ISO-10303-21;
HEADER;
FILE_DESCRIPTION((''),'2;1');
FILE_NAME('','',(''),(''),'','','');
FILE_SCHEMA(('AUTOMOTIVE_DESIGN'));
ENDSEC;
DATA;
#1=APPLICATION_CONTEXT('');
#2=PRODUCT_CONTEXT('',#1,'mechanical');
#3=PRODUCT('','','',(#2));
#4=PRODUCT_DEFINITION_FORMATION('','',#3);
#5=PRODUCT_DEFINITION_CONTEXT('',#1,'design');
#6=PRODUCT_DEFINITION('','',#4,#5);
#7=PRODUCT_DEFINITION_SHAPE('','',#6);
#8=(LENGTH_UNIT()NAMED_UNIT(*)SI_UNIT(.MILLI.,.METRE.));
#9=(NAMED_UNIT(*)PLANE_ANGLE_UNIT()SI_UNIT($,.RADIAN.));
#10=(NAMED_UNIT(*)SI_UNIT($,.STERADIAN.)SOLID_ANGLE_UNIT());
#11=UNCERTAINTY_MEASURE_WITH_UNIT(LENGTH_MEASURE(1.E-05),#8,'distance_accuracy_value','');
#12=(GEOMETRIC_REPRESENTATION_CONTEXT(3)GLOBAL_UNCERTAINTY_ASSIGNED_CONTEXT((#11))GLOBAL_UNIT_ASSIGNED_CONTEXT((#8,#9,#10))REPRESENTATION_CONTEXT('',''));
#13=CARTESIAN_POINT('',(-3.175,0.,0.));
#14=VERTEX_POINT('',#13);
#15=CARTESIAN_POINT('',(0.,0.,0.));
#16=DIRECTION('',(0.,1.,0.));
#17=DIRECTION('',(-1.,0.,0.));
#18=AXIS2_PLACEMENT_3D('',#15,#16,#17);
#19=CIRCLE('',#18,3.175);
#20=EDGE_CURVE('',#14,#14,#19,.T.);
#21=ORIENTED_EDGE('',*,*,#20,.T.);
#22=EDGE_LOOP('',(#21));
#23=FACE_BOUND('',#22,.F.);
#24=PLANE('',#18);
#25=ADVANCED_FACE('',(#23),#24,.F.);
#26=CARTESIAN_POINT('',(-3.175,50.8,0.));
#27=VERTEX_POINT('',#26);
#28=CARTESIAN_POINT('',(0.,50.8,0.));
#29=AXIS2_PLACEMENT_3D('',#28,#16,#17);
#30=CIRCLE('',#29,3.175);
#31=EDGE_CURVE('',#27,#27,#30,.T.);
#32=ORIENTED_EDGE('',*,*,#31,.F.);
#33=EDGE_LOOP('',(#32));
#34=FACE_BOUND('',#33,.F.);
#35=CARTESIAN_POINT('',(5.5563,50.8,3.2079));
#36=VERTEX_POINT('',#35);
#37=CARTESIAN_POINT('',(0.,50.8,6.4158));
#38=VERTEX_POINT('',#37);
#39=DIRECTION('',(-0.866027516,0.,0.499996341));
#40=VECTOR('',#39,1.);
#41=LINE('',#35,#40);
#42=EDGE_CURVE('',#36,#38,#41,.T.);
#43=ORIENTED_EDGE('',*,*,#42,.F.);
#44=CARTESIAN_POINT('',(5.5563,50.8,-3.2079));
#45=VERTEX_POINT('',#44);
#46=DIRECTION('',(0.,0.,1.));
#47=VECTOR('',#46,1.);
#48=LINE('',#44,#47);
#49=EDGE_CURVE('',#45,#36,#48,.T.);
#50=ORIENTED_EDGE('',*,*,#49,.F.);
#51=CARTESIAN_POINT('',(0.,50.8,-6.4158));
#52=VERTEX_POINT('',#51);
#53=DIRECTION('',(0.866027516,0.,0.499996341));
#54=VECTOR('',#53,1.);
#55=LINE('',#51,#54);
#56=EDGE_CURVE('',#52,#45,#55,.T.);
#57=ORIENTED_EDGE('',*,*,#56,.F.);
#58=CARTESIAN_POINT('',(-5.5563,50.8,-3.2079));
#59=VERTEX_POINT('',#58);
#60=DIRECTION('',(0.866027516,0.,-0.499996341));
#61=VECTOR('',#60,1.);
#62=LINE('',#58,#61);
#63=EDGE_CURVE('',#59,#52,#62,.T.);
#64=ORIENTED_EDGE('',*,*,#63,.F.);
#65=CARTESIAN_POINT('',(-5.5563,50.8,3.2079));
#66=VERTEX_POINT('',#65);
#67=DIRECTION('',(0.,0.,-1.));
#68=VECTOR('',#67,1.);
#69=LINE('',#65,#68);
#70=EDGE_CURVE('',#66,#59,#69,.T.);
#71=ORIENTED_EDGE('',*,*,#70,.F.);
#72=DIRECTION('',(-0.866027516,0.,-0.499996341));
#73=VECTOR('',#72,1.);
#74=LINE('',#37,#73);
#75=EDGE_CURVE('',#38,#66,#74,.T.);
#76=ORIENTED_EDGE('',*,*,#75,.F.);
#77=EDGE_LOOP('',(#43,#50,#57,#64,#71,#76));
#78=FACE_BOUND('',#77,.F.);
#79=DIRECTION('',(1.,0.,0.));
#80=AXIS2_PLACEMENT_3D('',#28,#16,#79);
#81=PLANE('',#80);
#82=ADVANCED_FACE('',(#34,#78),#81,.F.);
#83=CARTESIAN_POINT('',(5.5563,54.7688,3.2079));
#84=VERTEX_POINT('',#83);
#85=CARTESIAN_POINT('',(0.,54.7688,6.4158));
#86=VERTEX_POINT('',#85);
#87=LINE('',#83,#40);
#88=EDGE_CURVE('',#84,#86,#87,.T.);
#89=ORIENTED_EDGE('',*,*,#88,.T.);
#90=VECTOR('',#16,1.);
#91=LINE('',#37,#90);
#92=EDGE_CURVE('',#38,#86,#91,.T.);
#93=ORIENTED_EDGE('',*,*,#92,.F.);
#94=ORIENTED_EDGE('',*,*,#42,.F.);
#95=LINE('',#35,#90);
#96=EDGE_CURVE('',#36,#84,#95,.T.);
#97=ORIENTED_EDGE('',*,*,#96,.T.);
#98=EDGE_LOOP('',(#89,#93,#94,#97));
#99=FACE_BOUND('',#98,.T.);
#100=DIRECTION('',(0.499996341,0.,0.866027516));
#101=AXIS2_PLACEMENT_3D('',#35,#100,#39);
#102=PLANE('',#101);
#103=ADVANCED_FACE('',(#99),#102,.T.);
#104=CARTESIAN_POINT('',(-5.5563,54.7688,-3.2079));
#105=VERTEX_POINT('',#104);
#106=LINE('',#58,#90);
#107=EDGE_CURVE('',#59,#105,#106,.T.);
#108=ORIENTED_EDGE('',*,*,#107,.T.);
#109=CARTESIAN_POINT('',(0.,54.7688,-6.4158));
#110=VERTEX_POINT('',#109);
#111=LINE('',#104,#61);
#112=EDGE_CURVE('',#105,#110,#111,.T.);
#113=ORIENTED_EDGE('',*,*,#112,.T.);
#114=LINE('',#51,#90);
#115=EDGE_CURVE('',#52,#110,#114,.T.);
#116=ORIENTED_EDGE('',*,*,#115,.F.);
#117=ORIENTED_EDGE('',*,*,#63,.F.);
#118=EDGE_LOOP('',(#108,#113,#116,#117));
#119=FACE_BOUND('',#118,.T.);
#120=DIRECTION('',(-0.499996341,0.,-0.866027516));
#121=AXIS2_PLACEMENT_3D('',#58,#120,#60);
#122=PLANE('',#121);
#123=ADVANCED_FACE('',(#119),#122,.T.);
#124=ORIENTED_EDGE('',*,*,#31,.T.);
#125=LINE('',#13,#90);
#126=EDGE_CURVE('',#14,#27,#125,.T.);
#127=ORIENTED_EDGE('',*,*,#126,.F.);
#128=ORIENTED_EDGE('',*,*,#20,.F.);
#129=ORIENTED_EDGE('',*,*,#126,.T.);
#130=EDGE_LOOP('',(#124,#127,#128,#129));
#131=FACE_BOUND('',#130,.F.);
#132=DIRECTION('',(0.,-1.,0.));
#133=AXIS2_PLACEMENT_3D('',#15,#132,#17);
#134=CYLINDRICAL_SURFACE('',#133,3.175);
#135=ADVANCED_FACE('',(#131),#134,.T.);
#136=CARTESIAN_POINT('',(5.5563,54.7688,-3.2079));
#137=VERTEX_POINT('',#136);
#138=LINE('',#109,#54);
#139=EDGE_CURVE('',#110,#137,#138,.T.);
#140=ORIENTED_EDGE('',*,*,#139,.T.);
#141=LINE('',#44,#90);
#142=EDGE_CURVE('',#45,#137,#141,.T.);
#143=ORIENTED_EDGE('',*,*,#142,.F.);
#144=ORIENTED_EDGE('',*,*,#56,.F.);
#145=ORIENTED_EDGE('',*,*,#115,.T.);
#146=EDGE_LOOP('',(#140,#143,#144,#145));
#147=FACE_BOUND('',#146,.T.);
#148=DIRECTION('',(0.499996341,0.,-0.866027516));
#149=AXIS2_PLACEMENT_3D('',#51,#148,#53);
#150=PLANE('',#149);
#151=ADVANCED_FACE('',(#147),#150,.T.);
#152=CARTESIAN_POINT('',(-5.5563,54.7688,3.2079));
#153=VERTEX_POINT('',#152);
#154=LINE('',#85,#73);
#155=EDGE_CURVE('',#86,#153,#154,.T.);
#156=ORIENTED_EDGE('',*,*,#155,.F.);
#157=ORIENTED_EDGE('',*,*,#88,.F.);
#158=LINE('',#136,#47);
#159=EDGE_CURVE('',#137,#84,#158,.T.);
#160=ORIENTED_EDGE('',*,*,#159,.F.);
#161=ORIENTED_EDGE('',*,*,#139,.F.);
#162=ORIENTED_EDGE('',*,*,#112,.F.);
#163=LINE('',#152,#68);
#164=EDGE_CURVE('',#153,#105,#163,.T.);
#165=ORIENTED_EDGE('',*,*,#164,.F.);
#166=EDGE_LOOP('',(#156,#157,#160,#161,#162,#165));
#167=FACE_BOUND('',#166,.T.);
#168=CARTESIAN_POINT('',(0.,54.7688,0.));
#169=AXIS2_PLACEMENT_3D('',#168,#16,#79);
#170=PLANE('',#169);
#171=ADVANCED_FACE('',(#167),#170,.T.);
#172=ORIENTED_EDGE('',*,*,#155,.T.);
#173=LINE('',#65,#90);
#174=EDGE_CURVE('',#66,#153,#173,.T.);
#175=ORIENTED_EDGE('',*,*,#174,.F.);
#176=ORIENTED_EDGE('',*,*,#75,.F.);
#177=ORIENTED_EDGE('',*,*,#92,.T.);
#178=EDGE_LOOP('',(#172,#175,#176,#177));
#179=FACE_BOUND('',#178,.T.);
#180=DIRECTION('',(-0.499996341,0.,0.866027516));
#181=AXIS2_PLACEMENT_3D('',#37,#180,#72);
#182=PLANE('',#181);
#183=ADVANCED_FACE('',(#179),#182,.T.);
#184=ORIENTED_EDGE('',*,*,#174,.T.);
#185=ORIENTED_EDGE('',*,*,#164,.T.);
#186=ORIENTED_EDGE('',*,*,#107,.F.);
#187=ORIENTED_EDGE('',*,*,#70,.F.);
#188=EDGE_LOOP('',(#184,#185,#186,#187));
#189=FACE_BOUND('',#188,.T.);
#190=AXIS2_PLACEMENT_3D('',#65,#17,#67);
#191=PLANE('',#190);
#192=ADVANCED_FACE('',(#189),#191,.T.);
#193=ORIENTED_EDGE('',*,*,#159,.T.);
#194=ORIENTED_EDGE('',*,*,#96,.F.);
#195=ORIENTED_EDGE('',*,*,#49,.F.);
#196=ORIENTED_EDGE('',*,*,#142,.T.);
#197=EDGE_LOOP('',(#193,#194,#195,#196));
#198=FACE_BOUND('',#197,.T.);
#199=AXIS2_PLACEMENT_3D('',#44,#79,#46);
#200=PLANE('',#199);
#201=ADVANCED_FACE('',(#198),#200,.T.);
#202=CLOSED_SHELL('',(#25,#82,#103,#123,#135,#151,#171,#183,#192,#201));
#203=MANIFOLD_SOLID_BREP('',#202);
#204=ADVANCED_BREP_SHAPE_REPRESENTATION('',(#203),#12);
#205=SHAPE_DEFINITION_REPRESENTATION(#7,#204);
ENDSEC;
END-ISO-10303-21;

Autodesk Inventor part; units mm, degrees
ref_plane "YZ Plane" through (0, 0, 0) normal (1, 0, 0) x (0, 1, 0)
ref_plane "XZ Plane" through (0, 0, 0) normal (0, 1, 0) x (-1, 0, 0)
ref_plane "XY Plane" through (0, 0, 0) normal (0, 0, 1) x (1, 0, 0)
sketch "Sketch1" plane through (0, 0, 0) normal (0, 1, 0) x (-1, 0, 0)
  circle A0 centre (0, 0) radius 3.175
  dimension "d0" = 6.35
extrude "Extrusion1" add sketch "Sketch1" along normal blind 50.8
sketch "Sketch2" plane through (0, 50.8, 0) normal (0, 1, 0) x (1, 0, 0)
  circle A0 centre (0, 0) radius 3.175 projected
  line L0 (-5.5563, -3.2079) -> (-5.5563, 3.2079)
  line L1 (-5.5563, 3.2079) -> (0, 6.4158)
  line L2 (0, 6.4158) -> (5.5563, 3.2079)
  line L3 (5.5563, 3.2079) -> (5.5563, -3.2079)
  line L4 (5.5563, -3.2079) -> (0, -6.4158)
  line L5 (0, -6.4158) -> (-5.5563, -3.2079)
  dimension "d3" = 11.1125
  dimension "d4" = 11.1125
  dimension "d5" = 11.1125
  dimension "d6" = 120
  dimension "d7" = 120
  dimension "d8" = 5.5563
  dimension "d9" = 5.5563
  dimension "d10" = 5.5563
extrude "Extrusion2" add sketch "Sketch2" along normal blind 3.9688 contours A0 | L0 L1 L2 L3 L4 L5
thread "Thread1" size "1/4-20 UNC" class "2A" standard "ANSI Unified Screw Threads" length 19.05 offset 31.75
properties part number "beam breaker bolt" material "Steel, Alloy"
